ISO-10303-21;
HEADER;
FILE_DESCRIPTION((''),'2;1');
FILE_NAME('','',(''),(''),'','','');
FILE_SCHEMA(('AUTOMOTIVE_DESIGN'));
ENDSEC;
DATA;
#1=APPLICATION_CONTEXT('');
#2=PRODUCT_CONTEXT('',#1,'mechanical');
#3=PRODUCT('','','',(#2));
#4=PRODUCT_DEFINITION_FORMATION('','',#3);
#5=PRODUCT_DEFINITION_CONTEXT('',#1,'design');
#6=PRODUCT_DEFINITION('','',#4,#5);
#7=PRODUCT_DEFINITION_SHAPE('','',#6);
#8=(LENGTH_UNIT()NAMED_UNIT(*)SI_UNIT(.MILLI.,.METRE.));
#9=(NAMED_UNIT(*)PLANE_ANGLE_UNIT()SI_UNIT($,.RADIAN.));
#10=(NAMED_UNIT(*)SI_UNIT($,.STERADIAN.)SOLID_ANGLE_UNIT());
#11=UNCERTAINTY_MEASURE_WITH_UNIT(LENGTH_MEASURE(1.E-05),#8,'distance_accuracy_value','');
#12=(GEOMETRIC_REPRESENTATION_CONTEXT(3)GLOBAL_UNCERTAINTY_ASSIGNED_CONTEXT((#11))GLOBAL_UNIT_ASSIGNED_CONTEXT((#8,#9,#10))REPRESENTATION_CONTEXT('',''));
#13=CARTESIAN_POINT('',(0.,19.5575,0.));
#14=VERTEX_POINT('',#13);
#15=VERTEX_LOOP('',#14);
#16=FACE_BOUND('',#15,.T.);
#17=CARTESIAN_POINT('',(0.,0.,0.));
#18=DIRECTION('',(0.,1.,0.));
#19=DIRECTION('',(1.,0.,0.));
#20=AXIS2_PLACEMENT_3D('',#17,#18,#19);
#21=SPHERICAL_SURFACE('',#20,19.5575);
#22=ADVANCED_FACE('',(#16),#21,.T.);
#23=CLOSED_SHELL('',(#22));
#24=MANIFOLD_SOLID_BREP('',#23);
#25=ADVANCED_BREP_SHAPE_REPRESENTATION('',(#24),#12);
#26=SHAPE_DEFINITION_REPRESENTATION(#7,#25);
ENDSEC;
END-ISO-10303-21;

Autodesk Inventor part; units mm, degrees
ref_plane "YZ Plane" through (0, 0, 0) normal (1, 0, 0) x (0, 1, 0)
ref_plane "XZ Plane" through (0, 0, 0) normal (0, 1, 0) x (-1, 0, 0)
ref_plane "XY Plane" through (0, 0, 0) normal (0, 0, 1) x (1, 0, 0)
sketch "Boceto1" plane through (0, 0, 0) normal (0, 0, 1) x (1, 0, 0)
  arc A0 (0, -19.5575) -> (0, 19.5575) centre (0, 0) ccw
  line L0 (0, 0) -> (0, 23.3896)
  line L1 (0, 0) -> (0, -21.567)
  dimension "d0" = 39.115
revolve "Revolución1" add sketch "Boceto1" angle 360 about axis through (0, 0, 0) along (0, 1, 0)
properties part number "Pelota" material "Resina fenólica"
